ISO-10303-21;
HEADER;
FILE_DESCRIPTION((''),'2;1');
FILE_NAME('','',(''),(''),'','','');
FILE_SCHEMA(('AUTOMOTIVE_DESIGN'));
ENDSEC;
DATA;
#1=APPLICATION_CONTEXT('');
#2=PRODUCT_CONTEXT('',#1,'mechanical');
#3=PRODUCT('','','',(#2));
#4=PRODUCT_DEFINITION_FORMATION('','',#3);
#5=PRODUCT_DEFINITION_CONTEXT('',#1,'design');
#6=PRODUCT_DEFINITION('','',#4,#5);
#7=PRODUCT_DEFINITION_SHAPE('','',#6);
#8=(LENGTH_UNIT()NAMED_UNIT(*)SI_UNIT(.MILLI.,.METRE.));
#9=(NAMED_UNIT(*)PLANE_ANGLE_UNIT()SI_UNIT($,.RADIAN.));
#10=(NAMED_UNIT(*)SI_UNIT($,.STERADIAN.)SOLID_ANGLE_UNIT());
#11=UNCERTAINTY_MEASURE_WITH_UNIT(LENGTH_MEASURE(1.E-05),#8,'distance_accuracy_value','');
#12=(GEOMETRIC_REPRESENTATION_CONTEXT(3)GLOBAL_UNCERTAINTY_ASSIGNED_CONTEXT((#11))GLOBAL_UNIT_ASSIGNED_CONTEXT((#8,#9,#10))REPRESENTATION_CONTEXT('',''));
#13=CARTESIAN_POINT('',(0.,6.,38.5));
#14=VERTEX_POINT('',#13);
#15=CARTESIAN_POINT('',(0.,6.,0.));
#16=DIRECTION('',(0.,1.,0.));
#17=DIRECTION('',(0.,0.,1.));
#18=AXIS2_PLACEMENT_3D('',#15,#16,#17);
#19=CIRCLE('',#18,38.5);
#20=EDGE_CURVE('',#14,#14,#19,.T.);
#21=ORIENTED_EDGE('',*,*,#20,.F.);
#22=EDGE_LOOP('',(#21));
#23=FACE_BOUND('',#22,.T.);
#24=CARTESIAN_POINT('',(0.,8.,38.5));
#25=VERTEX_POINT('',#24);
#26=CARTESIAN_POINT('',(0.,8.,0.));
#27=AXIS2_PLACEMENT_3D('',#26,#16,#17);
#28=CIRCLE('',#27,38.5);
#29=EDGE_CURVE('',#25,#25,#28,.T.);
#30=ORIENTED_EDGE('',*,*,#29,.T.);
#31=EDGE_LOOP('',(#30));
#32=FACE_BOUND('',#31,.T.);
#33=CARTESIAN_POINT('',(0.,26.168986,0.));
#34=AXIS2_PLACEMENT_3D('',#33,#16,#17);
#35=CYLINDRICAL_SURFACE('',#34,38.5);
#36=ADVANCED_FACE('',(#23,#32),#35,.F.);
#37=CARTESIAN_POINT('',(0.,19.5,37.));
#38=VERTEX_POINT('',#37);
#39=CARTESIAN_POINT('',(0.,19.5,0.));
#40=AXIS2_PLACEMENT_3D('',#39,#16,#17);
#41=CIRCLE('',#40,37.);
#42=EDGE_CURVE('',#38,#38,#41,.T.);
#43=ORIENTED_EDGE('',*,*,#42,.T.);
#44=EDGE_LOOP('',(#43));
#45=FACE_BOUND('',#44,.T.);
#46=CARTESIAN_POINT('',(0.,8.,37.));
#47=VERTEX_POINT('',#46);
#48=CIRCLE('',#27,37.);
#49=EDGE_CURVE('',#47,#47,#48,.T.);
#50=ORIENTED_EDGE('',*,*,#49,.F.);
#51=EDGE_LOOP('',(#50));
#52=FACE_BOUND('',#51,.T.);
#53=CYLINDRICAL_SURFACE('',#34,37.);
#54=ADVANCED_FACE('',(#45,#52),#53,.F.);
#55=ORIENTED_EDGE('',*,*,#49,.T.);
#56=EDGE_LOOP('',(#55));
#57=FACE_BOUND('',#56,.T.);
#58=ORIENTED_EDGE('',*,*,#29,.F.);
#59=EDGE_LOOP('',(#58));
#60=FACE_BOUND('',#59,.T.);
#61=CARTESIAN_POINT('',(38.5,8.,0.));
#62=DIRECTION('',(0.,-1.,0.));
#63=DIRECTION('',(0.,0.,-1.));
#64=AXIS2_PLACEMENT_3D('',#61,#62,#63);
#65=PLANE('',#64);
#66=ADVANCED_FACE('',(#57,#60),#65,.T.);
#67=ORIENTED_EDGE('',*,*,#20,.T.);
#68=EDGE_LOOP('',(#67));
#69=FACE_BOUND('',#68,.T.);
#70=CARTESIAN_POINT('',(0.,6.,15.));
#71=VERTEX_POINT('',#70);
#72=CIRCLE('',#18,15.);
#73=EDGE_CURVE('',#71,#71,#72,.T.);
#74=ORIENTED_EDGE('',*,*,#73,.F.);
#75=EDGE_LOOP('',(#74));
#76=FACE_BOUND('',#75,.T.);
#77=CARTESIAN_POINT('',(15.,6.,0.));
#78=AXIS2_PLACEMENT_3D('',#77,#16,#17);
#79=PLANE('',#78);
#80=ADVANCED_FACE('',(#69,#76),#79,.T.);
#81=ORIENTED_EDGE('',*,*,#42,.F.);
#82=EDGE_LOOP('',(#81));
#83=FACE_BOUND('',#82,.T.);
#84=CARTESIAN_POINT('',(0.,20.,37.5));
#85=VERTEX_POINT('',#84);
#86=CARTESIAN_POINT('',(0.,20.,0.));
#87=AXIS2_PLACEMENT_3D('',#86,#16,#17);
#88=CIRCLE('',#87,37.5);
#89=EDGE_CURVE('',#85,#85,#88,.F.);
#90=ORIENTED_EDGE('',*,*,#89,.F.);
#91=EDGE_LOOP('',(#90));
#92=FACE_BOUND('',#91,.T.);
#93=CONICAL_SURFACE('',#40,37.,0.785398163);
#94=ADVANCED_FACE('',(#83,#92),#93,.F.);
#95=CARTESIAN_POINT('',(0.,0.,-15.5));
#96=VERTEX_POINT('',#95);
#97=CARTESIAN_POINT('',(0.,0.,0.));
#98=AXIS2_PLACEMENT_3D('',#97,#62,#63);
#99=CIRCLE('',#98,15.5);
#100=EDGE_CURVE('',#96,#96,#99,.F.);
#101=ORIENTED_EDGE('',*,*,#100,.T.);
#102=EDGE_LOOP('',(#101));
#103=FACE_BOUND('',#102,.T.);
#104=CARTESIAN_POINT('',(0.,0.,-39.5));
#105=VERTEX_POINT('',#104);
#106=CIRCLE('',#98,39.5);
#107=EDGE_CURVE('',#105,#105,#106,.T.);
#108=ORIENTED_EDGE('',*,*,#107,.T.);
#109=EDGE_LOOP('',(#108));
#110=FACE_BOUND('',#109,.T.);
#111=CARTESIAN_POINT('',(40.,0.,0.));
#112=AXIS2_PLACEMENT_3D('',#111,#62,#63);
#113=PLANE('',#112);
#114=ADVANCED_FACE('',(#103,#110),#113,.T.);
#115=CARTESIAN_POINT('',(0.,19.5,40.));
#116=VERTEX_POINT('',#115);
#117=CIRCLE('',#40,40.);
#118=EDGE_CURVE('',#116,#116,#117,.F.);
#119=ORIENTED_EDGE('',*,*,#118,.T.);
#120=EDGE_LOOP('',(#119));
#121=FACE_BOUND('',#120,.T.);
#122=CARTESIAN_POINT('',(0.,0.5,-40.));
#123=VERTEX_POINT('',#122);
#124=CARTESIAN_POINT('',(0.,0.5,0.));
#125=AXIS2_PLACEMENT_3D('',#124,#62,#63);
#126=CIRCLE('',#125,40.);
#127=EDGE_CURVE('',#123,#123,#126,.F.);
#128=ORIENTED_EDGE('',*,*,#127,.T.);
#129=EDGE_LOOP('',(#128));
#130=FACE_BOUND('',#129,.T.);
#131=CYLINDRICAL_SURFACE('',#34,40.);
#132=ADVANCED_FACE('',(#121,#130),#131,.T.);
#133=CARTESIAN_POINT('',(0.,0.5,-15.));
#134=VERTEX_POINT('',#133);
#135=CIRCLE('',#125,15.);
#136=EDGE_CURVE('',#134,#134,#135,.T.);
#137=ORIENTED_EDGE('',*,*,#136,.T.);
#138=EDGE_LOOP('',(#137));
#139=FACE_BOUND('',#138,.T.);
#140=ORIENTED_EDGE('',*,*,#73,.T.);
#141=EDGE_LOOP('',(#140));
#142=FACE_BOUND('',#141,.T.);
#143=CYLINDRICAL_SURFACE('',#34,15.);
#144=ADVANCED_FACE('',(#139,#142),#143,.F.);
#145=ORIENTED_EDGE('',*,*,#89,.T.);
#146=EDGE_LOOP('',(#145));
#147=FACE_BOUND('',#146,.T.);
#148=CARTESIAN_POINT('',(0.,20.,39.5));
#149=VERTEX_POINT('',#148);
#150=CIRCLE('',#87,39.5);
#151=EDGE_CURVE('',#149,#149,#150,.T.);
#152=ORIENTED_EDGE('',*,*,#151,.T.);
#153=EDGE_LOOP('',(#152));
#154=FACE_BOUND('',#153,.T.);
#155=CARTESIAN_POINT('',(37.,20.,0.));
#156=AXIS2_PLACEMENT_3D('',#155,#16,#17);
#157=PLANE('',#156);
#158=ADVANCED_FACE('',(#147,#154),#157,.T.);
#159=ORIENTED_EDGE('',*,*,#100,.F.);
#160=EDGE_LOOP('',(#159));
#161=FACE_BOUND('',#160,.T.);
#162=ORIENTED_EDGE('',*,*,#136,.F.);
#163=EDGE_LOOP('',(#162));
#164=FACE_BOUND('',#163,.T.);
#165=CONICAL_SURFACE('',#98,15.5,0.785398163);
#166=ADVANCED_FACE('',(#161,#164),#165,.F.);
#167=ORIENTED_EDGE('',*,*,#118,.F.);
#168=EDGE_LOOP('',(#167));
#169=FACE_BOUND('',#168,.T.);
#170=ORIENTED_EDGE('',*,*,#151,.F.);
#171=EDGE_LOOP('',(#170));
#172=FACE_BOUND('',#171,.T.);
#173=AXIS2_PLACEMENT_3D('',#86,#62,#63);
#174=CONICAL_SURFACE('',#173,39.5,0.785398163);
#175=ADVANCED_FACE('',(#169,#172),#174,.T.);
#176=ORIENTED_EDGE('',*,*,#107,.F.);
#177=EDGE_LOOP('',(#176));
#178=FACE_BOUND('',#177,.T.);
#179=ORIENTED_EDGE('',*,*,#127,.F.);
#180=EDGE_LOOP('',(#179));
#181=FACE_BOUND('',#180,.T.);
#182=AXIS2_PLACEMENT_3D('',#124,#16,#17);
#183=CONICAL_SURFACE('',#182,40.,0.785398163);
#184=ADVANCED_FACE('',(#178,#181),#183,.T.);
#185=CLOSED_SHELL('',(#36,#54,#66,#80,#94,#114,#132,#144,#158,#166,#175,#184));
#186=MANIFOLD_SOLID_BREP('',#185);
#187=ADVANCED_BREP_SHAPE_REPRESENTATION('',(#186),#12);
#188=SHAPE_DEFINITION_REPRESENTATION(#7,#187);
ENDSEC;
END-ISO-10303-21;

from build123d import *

# Parameters (mm, degrees)
CHAMFER_1_SIZE = 0.5


with BuildPart() as part:
    # Эскиз1 → Повернуть1 (revolve)
    with BuildSketch(Plane.XY):
        Polygon((-40, 20), (-40, 0), (-15, 0), (-15, 6), (-38.5, 6), (-38.5, 8), (-37, 8), (-37, 20), align=None)
    revolve(axis=Axis((0, 26.168985987, 0), (0, -1, 0)))

    # Фаска1
    chamfer_1_edges = [part.edges().sort_by_distance(p)[0] for p in [
        (15, 0, 0),
        (40, 0, 0),
        (40, 20, 0),
        (37, 20, 0),
    ]]
    chamfer(chamfer_1_edges, length=CHAMFER_1_SIZE)


solid = part.part
